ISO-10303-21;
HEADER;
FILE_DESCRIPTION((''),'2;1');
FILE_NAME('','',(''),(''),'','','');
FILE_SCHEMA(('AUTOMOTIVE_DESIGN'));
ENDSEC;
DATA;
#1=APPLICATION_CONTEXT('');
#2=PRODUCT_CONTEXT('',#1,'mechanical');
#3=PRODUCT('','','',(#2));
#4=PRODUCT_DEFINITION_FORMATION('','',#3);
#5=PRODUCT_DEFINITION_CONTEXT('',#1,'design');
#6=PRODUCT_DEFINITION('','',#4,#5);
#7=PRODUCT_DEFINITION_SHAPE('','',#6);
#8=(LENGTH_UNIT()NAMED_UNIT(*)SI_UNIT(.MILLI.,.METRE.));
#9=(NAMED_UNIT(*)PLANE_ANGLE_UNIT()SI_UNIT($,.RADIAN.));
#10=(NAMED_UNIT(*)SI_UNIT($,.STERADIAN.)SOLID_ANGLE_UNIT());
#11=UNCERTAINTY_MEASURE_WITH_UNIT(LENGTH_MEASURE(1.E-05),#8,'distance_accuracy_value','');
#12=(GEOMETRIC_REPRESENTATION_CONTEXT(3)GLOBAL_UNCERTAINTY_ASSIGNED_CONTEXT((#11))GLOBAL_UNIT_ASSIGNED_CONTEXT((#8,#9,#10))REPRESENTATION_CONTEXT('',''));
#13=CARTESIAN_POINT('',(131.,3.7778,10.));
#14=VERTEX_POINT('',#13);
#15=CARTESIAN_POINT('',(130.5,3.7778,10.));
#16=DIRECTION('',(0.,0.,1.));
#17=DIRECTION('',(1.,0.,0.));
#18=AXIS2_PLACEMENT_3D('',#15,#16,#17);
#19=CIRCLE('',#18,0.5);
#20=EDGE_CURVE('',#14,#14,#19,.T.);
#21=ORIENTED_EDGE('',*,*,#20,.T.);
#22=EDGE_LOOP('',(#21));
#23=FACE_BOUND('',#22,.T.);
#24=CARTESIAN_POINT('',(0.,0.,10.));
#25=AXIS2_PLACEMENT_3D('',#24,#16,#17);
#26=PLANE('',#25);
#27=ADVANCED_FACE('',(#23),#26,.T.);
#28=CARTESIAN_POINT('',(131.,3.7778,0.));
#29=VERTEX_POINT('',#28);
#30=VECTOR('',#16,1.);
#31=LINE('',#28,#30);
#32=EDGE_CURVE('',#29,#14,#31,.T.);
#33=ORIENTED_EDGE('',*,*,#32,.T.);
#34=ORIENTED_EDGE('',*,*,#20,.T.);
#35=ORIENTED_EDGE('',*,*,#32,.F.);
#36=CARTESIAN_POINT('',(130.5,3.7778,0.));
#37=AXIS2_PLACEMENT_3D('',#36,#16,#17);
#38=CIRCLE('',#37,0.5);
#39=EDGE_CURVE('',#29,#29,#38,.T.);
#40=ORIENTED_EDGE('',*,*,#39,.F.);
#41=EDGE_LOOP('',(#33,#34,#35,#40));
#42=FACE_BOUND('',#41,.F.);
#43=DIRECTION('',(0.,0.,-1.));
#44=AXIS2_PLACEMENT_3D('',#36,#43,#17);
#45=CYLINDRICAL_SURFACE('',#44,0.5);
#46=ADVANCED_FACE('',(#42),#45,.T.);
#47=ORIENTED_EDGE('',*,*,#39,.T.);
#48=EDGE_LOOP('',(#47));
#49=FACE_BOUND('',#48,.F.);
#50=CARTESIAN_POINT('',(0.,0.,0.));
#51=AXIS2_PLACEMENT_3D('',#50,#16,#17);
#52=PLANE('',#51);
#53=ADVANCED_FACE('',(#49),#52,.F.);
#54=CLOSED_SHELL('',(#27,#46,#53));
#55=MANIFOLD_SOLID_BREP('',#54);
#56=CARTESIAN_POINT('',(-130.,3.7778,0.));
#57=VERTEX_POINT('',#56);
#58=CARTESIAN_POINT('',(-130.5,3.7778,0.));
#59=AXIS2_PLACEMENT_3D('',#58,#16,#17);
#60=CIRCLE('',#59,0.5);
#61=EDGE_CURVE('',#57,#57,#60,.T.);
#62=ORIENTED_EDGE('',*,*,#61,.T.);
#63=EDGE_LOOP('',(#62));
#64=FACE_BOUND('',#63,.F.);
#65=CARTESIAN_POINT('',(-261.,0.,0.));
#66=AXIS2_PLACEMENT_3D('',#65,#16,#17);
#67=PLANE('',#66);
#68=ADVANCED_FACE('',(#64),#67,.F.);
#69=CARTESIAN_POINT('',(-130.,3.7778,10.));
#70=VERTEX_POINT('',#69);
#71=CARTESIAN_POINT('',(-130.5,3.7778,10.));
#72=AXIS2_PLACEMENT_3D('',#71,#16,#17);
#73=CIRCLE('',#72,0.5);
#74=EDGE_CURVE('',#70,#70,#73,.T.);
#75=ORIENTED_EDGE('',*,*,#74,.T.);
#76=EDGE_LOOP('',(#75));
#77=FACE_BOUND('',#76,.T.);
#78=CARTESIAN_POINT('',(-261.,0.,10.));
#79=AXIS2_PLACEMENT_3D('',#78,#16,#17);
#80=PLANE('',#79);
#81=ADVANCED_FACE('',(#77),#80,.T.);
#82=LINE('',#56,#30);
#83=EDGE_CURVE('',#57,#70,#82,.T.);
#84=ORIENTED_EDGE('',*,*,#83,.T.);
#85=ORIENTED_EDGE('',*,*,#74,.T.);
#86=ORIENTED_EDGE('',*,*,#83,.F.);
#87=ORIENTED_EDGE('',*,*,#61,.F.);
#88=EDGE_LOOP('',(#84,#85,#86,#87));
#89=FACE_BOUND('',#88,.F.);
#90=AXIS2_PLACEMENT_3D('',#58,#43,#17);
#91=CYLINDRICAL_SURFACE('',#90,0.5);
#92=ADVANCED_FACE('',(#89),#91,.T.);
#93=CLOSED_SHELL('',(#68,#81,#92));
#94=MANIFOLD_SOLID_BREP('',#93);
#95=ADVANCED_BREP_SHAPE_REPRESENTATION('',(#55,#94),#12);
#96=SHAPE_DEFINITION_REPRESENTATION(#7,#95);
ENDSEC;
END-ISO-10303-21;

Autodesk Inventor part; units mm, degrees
ref_plane "YZ Plane" through (0, 0, 0) normal (1, 0, 0) x (0, 1, 0)
ref_plane "XZ Plane" through (0, 0, 0) normal (0, 1, 0) x (-1, 0, 0)
ref_plane "XY Plane" through (0, 0, 0) normal (0, 0, 1) x (1, 0, 0)
sketch "Sketch1" plane through (0, 0, 0) normal (0, 0, 1) x (1, 0, 0)
  line L0 (-190.5, -10.9695) -> (190.5, -10.9695)
  line L1 (190.5, -10.9695) -> (190.5, 10.9695)
  line L2 (190.5, 10.9695) -> (-190.5, 10.9695)
  line L3 (-190.5, 10.9695) -> (-190.5, -10.9695)
  line L4 (-190.5, -10.9695) -> (190.5, 10.9695) construction
  line L5 (190.5, -10.9695) -> (-190.5, 10.9695) construction
  point P0 (0, 0)
  dimension "d0" = 381
  dimension "d1" = 21.939
sketch "Lamello" plane through (0, 0, 0) normal (0, 0, 1) x (1, 0, 0)
  line L0 (48.383, 141.1858) -> (42.783, 141.1858)
  line L1 (40.583, 139.6858) -> (40.583, 114.6858)
  line L2 (42.783, 113.1858) -> (48.383, 113.1858)
  line L3 (50.583, 114.6858) -> (50.583, 139.6858)
  line L4 (50.583, 139.6858) -> (48.383, 141.1858)
  line L5 (40.583, 139.6858) -> (42.783, 141.1858)
  line L6 (40.583, 114.6858) -> (42.783, 113.1858)
  line L7 (50.583, 114.6858) -> (48.383, 113.1858)
  line L8 (50.583, 127.1858) -> (40.583, 127.1858)
  line L9 (45.583, 141.1858) -> (45.583, 113.1858)
  point P0 (45.583, 127.1858)
  point P1 (50.583, 141.1858)
  point P2 (40.583, 113.1858)
  point P3 (40.583, 141.1858)
  point P4 (50.583, 113.1858)
  dimension "d54" = 10
  dimension "d55" = 28
  dimension "d56" = 1.5
  dimension "d57" = 2.2
  dimension "d58" = 1.5
  dimension "d59" = 2.2
  dimension "d60" = 1.5
  dimension "d61" = 2.2
  dimension "d62" = 1.5
  dimension "d63" = 2.2
sketch "Sketch2" plane through (0, 0, 0) normal (0, 0, 1) x (1, 0, 0)
  circle A0 centre (130.5, 3.7778) radius 0.5
  line L0 (190.5, 10.9695) -> (-190.5, 10.9695) projected
  line L1 (-190.5, -10.9695) -> (190.5, -10.9695) projected
  line L2 (0, -145.0303) -> (0, 106.9697) projected
  line L3 (190.5, -10.9695) -> (190.5, 10.9695) projected
  point P0 (0, 0)
  dimension "d4" = 1
  dimension "d50" = 7.1917
  dimension "d70" = 60
extrude "Extrusion1" add sketch "Sketch2" along normal blind 10 contours A0
pattern_linear "Clamex Array" count 2 spacing 261 along (-1, 0, 0) of "Extrusion1"
sketch "Edge-Side Connection" plane through (0, 0, 0) normal (1, 0, 0) x (0, 1, 0)
  line L0 (-50, 0) -> (50, 0)
  line L1 (50, 0) -> (50, 19)
  line L2 (50, 19) -> (-50, 19)
  line L3 (-50, 19) -> (-50, 0)
  line L4 (-10.9695, 0) -> (-34.0635, -40)
  line L5 (-34.0635, -40) -> (-12.1245, -40)
  line L6 (-12.1245, -40) -> (10.9695, 0)
  line L7 (-2.9208, -14) -> (-2.9208, 14) construction
  line L8 (10.9695, 0) -> (2.0792, 0)
  line L9 (-7.9208, -12.5) -> (-15.62, -8.0549)
  point P0 (0, 0)
  point P1 (10.9695, 0)
  point P2 (0, 0)
  dimension "d26" = 100
  dimension "d27" = 19
  dimension "d28" = 40
  dimension "OtherSideRefYCoordinate" = 8.0487
  dimension "ReferenceCoord" = 13.8903
  dimension "d49" = 120
sketch "Edge-Edge Connection" plane through (0, 0, 0) normal (1, 0, 0) x (0, 1, 0)
  line L0 (-109.0303, 19) -> (10.9697, 19)
  line L1 (10.9697, 19) -> (0, 0)
  line L2 (0, 0) -> (-109.0303, 0)
  line L3 (-109.0303, 0) -> (-109.0303, 19)
  line L4 (10.9697, 19) -> (70.9697, -84.923)
  line L5 (0, 0) -> (54.5152, -94.423)
  line L6 (54.5152, -94.423) -> (70.9697, -84.923)
  line L7 (1.0958, 1.8981) -> (0, 0)
  line L8 (-4.7295, 16.8083) -> (-4.7295, 19)
  point P0 (3.5958, 6.2282)
  dimension "d51" = 19
  dimension "d53" = 19
  dimension "EdgeEdgeReferenceCoord" = 7.1917
  dimension "d65" = 120
  dimension "d66" = 120
  dimension "d67" = 120
  dimension "EdgeEdgeOtherSideRefYCoordinate" = 14.7476
equation "\"d9\" = Step"
equation "\"d27\" = NestleBoardT"
equation "\"d0\" = ContactPatchWidth"
equation "\"d1\" = ContactPatchHeight"
equation "\"ContactPatchWidth\" = 381"
equation "\"ContactPatchHeight\" = 21.939"
equation "\"PlacingWidth\" = 261"
equation "\"MinDistBetween\" = 96"
equation "\"Step\" = 261"
equation "\"Y_Coord\" = 7.19169"
equation "\"NestleBoardT\" = 19"
equation "\"PillarBoardT\" = 19"
equation "\"AngleForYPositionCalc\" = 120deg"
equation "\"ConnectionAngle\" = 120deg"
equation "\"ShiftY\" = 0"
properties part number "Clamex Joint11400"
